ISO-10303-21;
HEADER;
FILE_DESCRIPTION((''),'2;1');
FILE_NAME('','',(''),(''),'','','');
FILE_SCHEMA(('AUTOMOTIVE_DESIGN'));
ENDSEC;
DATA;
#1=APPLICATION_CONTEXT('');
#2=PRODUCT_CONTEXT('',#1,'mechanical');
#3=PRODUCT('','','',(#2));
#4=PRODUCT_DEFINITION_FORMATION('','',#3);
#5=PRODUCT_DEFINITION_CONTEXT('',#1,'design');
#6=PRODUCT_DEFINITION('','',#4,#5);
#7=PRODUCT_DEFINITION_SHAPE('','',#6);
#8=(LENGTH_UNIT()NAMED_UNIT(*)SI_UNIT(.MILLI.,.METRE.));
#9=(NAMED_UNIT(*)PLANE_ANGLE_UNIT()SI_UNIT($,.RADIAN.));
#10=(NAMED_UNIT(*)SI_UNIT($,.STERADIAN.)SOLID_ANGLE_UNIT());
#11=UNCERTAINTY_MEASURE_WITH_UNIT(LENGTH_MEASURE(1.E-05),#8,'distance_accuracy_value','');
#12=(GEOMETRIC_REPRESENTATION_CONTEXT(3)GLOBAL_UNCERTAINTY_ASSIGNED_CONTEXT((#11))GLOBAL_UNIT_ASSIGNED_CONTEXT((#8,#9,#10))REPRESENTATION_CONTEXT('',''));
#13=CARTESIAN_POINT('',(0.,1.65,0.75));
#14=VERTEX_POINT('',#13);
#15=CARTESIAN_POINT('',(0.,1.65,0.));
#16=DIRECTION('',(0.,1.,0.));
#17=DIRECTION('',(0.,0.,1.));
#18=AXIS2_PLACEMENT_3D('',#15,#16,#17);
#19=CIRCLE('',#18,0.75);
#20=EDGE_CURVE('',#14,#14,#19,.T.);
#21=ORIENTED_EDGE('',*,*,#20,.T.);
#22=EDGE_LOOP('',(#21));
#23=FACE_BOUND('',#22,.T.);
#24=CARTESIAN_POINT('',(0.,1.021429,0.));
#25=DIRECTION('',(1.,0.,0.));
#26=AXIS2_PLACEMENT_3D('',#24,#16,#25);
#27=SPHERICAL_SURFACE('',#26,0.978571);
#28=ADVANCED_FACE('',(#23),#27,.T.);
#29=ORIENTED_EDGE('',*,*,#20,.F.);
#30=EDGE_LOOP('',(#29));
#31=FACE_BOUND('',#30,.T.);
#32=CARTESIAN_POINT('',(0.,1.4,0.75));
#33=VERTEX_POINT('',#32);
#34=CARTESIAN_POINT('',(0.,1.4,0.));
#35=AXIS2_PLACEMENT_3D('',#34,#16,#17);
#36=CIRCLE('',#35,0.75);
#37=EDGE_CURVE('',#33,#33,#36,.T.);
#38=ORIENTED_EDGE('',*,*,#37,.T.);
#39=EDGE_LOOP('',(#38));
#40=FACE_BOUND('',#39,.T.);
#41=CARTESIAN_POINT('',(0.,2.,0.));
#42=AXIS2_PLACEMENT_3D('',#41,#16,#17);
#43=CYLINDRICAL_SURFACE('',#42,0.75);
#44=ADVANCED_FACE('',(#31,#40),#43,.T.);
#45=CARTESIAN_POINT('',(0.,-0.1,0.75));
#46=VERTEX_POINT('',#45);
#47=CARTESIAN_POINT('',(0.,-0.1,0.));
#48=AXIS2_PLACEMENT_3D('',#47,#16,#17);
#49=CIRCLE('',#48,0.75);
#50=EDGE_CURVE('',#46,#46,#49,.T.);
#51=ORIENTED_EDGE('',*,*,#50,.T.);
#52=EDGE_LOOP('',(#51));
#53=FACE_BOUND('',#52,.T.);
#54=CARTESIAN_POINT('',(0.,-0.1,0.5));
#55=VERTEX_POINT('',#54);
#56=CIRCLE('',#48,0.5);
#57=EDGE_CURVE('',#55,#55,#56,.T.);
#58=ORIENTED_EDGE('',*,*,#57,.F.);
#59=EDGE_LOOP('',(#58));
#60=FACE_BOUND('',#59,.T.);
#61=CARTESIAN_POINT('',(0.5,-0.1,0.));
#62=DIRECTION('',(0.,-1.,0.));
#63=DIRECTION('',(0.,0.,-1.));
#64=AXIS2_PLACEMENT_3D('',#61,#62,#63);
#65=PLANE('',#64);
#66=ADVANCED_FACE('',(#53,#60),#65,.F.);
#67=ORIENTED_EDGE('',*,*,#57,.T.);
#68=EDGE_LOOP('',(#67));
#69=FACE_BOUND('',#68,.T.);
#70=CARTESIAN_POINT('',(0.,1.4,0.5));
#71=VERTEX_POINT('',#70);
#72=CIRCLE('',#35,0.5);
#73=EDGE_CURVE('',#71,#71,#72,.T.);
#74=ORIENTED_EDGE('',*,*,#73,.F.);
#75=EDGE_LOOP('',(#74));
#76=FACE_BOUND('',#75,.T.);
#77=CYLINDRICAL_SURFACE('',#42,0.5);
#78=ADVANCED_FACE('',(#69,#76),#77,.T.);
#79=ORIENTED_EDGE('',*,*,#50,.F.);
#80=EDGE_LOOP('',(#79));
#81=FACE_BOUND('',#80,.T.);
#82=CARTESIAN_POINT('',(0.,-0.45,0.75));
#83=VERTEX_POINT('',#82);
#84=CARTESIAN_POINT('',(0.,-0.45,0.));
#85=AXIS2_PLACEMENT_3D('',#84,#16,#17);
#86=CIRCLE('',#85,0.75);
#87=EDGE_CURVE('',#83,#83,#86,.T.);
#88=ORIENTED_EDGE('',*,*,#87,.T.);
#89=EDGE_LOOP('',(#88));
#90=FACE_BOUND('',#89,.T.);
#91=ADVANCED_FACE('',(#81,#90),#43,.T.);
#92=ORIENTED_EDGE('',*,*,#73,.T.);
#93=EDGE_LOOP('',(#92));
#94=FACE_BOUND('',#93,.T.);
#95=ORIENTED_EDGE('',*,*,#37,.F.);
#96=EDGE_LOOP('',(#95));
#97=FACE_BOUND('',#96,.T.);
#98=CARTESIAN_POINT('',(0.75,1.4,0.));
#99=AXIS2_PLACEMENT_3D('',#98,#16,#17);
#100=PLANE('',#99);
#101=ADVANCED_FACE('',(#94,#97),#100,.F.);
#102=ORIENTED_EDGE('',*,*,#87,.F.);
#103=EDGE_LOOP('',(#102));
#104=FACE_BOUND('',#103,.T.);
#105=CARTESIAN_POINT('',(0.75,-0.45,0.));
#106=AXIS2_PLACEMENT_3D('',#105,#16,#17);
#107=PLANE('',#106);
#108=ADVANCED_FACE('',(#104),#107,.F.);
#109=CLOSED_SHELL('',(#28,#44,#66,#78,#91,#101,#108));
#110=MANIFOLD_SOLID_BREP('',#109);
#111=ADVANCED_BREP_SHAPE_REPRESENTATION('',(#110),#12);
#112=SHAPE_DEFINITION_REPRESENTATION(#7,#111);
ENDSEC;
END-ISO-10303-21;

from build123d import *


with BuildPart() as part:
    # Sketch1 → Revolve1 (revolve)
    with BuildSketch(Plane.XY, mode=Mode.PRIVATE) as revolve1_sk:
        with BuildLine():
            Line((0.75, 1.65), (0.75, 1.4))
            Line((0.75, 1.4), (0.5, 1.4))
            Line((0.5, 1.4), (0.5, -0.1))
            Line((0.5, -0.1), (0.75, -0.1))
            Line((0.75, -0.1), (0.75, -0.45))
            Line((0.75, -0.45), (0, -0.45))
            Line((0, -0.45), (0, 2))
            ThreePointArc((0, 2), (0.413823634, 1.908193501), (0.75, 1.65))
        make_face()
    revolve(revolve1_sk.sketch.rotate(Axis((0, 2, 0), (0, -1, 0)), 90), axis=Axis((0, 2, 0), (0, -1, 0)))


solid = part.part
